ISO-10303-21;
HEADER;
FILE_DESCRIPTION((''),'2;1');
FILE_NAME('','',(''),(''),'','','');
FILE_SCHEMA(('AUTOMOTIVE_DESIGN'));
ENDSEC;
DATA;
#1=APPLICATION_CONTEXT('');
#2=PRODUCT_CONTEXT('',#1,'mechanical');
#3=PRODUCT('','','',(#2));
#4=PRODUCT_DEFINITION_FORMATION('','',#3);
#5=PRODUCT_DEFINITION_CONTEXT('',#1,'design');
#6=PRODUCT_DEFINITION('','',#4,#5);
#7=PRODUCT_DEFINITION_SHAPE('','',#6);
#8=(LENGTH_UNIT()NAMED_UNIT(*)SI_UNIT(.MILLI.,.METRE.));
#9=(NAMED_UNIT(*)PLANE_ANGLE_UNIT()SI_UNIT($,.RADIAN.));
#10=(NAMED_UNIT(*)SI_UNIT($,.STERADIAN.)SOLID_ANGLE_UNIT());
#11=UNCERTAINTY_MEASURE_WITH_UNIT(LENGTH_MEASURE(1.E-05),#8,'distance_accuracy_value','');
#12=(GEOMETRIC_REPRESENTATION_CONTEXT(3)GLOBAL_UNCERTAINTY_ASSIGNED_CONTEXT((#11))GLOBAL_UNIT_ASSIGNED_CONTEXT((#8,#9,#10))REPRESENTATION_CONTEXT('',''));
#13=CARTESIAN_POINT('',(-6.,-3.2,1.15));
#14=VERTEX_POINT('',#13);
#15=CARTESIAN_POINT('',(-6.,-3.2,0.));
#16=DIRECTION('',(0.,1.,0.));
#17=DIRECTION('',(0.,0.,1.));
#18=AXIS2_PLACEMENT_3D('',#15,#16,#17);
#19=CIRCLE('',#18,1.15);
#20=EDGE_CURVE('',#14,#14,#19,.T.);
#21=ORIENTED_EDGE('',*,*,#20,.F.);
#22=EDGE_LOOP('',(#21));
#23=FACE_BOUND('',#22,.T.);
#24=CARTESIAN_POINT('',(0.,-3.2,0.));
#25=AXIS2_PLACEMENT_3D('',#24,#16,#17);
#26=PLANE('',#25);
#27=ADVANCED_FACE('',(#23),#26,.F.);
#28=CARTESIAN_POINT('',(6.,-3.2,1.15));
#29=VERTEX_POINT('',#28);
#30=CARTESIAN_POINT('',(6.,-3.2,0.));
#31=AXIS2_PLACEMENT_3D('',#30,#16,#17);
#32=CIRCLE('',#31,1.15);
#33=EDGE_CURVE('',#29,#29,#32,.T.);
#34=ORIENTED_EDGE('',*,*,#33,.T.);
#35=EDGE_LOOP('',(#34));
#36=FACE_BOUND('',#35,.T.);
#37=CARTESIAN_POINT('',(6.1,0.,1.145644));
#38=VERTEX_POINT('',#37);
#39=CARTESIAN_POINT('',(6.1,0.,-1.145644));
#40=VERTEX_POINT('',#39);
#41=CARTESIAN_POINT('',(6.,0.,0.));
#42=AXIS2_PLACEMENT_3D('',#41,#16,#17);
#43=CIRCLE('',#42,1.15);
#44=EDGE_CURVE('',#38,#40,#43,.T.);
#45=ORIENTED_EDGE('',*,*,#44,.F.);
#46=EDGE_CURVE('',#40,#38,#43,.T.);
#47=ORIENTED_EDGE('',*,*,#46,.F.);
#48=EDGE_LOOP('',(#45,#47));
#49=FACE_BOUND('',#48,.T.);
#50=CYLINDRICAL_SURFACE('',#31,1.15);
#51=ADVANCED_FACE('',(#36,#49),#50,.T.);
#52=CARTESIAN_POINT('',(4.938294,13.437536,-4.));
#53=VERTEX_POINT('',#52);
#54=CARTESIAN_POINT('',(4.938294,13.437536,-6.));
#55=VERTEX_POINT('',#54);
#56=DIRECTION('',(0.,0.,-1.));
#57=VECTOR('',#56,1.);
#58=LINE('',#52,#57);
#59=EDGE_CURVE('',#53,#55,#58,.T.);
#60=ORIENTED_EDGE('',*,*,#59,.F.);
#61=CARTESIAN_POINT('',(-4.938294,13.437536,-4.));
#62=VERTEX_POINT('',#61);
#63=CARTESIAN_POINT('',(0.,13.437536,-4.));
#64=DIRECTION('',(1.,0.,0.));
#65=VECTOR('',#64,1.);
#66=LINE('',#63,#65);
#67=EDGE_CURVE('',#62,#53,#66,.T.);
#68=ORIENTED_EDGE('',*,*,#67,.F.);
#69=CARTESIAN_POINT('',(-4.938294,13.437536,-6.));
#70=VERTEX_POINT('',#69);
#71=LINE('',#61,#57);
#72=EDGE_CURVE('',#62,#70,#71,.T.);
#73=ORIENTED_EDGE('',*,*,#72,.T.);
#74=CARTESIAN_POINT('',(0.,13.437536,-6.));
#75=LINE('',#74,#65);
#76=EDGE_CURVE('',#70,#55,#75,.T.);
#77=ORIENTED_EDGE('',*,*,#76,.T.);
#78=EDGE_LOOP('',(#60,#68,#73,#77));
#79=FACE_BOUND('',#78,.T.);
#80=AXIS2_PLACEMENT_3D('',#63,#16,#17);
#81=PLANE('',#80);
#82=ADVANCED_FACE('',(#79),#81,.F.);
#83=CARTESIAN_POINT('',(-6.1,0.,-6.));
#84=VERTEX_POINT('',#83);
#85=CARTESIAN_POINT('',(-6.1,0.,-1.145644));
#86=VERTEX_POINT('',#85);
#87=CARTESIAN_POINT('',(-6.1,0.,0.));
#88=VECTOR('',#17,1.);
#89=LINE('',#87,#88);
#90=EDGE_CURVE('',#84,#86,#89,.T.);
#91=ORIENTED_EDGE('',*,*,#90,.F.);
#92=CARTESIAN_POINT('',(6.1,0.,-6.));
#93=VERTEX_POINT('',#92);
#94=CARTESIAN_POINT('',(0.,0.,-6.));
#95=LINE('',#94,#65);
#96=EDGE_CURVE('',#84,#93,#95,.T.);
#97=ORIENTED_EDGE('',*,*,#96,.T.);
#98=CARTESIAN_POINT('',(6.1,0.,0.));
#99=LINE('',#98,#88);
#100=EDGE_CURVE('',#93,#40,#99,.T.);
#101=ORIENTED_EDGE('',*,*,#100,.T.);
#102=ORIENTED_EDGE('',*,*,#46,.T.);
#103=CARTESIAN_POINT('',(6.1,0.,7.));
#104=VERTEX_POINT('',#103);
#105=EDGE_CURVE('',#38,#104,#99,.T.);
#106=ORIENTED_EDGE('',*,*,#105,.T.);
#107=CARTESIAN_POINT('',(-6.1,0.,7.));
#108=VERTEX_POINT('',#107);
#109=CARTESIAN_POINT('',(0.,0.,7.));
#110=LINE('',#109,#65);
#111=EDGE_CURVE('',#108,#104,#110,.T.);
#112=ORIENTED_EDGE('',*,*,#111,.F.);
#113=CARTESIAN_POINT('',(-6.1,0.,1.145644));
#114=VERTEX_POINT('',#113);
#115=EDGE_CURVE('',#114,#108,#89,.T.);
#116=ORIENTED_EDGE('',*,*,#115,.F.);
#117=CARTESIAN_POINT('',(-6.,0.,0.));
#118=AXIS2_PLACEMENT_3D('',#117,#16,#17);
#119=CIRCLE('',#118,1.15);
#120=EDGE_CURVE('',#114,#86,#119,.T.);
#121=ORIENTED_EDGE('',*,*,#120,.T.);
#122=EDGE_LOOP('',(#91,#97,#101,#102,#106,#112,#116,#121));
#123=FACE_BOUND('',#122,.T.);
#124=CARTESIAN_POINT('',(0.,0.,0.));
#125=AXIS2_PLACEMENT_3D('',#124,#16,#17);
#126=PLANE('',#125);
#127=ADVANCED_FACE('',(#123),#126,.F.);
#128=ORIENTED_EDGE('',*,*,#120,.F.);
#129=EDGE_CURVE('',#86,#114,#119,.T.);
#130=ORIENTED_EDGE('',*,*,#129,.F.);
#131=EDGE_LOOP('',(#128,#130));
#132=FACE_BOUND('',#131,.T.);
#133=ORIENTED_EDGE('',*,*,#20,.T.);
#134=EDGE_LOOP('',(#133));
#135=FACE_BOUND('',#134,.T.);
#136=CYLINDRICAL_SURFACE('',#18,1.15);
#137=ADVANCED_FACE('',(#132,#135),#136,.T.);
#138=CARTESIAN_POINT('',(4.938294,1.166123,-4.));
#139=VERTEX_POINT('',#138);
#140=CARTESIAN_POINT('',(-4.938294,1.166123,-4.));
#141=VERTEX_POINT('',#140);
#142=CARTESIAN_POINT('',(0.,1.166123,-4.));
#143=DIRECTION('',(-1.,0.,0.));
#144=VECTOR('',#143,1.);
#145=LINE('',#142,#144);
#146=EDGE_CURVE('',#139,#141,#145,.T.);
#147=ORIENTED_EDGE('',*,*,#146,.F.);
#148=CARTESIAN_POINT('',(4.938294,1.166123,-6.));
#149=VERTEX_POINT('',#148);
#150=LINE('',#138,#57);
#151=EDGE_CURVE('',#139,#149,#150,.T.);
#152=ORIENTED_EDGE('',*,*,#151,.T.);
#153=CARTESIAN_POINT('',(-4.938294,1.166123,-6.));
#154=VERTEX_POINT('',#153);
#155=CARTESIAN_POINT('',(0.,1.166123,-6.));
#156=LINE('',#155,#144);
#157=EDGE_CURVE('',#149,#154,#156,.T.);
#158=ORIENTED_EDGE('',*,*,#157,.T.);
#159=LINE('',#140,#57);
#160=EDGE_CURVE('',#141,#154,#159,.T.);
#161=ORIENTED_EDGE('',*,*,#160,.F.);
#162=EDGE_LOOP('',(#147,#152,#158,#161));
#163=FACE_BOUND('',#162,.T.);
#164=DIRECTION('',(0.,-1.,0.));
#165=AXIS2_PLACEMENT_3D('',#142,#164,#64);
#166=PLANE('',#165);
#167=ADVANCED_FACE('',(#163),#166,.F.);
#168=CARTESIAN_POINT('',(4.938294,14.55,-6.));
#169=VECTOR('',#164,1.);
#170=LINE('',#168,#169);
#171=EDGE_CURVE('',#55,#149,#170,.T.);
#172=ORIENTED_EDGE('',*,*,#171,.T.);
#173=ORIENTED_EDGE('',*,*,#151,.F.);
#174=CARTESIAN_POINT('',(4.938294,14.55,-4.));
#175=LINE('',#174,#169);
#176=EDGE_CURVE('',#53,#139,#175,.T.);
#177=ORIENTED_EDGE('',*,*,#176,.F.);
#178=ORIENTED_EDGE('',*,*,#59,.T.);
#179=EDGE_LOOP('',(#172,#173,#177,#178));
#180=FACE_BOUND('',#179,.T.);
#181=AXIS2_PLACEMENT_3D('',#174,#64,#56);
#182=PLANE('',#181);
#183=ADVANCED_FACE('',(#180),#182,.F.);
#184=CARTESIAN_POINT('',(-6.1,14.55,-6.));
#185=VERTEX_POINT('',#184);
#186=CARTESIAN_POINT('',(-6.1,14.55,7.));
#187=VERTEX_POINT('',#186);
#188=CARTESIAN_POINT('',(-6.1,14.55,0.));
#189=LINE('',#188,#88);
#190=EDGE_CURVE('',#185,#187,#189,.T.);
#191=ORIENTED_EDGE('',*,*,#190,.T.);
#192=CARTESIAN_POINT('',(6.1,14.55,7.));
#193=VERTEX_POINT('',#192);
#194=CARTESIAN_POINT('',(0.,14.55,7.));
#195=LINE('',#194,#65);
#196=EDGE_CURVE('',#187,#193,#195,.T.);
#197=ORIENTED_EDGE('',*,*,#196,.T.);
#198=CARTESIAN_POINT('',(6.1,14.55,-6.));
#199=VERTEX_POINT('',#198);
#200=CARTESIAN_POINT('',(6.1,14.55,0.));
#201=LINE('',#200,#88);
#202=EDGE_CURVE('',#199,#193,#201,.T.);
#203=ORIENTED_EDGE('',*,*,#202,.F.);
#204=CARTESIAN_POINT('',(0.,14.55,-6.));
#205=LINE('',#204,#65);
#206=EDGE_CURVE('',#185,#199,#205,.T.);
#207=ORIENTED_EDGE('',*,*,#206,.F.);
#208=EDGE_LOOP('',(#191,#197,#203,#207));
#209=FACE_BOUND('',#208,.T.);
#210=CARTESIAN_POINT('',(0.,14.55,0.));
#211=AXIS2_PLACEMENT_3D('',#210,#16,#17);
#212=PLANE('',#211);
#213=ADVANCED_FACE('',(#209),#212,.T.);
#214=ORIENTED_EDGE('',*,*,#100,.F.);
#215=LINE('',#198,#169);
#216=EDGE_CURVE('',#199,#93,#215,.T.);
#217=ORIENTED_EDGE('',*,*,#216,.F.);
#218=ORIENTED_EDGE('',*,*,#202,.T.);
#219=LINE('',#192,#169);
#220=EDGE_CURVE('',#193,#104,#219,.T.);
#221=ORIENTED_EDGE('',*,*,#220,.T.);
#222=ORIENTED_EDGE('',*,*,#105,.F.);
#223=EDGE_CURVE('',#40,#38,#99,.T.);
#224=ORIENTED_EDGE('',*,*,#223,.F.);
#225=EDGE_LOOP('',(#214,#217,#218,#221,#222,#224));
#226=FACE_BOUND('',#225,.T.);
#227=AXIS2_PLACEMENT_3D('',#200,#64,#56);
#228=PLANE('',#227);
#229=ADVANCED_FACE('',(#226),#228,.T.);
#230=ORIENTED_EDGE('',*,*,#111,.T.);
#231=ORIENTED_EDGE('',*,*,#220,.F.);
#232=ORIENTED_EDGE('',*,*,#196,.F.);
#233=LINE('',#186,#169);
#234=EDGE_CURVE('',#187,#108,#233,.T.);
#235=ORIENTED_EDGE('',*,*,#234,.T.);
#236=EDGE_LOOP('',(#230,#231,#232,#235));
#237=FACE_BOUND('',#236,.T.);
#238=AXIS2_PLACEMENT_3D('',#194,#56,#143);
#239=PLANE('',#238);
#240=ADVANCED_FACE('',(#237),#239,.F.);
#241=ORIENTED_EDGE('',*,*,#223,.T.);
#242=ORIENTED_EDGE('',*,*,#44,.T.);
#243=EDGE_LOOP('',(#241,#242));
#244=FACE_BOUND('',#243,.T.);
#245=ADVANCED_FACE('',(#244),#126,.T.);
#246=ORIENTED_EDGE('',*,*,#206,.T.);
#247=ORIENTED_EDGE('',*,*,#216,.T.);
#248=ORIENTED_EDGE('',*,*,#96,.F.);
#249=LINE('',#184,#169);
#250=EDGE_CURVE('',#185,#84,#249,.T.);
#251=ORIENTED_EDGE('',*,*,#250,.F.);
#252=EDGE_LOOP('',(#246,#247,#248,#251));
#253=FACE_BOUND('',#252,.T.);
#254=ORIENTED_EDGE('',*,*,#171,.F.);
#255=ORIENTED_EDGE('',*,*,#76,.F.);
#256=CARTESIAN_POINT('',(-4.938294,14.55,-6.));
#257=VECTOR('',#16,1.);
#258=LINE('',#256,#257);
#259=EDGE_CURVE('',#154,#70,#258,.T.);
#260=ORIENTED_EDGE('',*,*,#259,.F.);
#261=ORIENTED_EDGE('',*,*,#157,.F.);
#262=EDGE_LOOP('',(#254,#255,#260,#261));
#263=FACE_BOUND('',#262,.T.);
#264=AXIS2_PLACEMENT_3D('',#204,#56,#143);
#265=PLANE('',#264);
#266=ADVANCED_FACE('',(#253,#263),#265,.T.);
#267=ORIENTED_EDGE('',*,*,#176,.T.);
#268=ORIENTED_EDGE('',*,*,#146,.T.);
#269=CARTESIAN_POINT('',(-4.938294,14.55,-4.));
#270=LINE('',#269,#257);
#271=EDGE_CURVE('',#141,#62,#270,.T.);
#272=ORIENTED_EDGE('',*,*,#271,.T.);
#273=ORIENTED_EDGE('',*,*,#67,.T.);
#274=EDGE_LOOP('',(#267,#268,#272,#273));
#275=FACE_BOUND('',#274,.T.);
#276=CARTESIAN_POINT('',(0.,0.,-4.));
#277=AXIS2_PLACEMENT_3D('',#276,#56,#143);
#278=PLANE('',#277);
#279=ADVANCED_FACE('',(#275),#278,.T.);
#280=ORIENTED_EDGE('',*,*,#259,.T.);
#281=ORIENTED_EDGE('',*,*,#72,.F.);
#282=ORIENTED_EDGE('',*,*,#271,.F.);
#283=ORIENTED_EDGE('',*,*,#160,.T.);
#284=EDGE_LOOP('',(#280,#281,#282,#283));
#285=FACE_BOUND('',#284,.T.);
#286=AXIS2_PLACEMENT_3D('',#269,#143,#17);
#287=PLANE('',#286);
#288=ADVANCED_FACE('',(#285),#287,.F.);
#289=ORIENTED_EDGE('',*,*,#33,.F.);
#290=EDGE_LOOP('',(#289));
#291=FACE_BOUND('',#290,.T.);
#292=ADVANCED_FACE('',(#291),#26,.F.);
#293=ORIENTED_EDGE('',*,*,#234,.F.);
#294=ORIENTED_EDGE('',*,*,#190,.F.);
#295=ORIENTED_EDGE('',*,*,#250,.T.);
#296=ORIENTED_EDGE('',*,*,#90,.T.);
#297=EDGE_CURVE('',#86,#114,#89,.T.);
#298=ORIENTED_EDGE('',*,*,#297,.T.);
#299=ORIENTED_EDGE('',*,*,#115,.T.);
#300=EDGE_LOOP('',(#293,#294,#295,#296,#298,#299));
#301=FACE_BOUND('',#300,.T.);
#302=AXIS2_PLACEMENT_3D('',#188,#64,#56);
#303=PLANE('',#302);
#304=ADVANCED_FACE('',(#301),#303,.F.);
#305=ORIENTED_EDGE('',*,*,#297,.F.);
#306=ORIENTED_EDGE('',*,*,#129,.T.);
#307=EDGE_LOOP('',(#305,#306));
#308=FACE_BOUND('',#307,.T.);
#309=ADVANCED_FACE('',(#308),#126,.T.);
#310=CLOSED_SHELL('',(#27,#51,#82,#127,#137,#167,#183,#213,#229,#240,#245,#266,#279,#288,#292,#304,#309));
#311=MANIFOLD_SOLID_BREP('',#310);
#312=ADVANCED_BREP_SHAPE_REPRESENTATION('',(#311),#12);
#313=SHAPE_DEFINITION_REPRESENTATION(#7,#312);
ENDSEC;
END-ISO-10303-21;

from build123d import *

# Parameters (mm, degrees)
BOSS_EXTRUDE1_DEPTH = 3.2
SKETCH1_3_W         = 12.2
SKETCH1_3_H         = 13
BOSS_EXTRUDE2_DEPTH = 14.55
CUT_EXTRUDE1_START  = -6
SKETCH2_W           = 9.87658836
SKETCH2_H           = 12.271413297
CUT_EXTRUDE1_DEPTH  = 2


with BuildPart() as part:
    # Sketch1 → Boss-Extrude1 (new body)
    with BuildSketch(Plane(origin=(0, 0, 0), x_dir=(1, 0, 0), z_dir=(0, 1, 0))):
        with BuildLine():
            ThreePointArc((-4.85, 0), (-5.222986487, 0.847791248), (-6.1, 1.145643924))
            Line((-6.1, 1.145643924), (-6.1, -1.145643924))
            ThreePointArc((-6.1, -1.145643924), (-5.222986487, -0.847791248), (-4.85, 0))
        make_face()
        with BuildLine():
            Line((-6.1, -1.145643924), (-6.1, 1.145643924))
            ThreePointArc((-6.1, 1.145643924), (-7.15, 0), (-6.1, -1.145643924))
        make_face()
        with BuildLine():
            ThreePointArc((7.15, 0), (6.847791248, 0.777013513), (6.1, 1.145643924))
            Line((6.1, 1.145643924), (6.1, -1.145643924))
            ThreePointArc((6.1, -1.145643924), (6.847791248, -0.777013513), (7.15, 0))
        make_face()
        with BuildLine():
            Line((6.1, -1.145643924), (6.1, 1.145643924))
            ThreePointArc((6.1, 1.145643924), (4.85, 0), (6.1, -1.145643924))
        make_face()
    extrude(amount=-BOSS_EXTRUDE1_DEPTH)

    # Sketch1<3> → Boss-Extrude2 (add)
    with BuildSketch(Plane(origin=(0, 0, 0), x_dir=(1, 0, 0), z_dir=(0, 1, 0))):
        with Locations((0, -0.5)):
            Rectangle(SKETCH1_3_W, SKETCH1_3_H)
    extrude(amount=BOSS_EXTRUDE2_DEPTH)

    # Sketch2 → Cut-Extrude1 (cut)
    with BuildSketch(Plane.XY.offset(CUT_EXTRUDE1_START)):
        with Locations((0, 7.301829354)):
            Rectangle(SKETCH2_W, SKETCH2_H)
    extrude(amount=CUT_EXTRUDE1_DEPTH, mode=Mode.SUBTRACT)


solid = part.part
